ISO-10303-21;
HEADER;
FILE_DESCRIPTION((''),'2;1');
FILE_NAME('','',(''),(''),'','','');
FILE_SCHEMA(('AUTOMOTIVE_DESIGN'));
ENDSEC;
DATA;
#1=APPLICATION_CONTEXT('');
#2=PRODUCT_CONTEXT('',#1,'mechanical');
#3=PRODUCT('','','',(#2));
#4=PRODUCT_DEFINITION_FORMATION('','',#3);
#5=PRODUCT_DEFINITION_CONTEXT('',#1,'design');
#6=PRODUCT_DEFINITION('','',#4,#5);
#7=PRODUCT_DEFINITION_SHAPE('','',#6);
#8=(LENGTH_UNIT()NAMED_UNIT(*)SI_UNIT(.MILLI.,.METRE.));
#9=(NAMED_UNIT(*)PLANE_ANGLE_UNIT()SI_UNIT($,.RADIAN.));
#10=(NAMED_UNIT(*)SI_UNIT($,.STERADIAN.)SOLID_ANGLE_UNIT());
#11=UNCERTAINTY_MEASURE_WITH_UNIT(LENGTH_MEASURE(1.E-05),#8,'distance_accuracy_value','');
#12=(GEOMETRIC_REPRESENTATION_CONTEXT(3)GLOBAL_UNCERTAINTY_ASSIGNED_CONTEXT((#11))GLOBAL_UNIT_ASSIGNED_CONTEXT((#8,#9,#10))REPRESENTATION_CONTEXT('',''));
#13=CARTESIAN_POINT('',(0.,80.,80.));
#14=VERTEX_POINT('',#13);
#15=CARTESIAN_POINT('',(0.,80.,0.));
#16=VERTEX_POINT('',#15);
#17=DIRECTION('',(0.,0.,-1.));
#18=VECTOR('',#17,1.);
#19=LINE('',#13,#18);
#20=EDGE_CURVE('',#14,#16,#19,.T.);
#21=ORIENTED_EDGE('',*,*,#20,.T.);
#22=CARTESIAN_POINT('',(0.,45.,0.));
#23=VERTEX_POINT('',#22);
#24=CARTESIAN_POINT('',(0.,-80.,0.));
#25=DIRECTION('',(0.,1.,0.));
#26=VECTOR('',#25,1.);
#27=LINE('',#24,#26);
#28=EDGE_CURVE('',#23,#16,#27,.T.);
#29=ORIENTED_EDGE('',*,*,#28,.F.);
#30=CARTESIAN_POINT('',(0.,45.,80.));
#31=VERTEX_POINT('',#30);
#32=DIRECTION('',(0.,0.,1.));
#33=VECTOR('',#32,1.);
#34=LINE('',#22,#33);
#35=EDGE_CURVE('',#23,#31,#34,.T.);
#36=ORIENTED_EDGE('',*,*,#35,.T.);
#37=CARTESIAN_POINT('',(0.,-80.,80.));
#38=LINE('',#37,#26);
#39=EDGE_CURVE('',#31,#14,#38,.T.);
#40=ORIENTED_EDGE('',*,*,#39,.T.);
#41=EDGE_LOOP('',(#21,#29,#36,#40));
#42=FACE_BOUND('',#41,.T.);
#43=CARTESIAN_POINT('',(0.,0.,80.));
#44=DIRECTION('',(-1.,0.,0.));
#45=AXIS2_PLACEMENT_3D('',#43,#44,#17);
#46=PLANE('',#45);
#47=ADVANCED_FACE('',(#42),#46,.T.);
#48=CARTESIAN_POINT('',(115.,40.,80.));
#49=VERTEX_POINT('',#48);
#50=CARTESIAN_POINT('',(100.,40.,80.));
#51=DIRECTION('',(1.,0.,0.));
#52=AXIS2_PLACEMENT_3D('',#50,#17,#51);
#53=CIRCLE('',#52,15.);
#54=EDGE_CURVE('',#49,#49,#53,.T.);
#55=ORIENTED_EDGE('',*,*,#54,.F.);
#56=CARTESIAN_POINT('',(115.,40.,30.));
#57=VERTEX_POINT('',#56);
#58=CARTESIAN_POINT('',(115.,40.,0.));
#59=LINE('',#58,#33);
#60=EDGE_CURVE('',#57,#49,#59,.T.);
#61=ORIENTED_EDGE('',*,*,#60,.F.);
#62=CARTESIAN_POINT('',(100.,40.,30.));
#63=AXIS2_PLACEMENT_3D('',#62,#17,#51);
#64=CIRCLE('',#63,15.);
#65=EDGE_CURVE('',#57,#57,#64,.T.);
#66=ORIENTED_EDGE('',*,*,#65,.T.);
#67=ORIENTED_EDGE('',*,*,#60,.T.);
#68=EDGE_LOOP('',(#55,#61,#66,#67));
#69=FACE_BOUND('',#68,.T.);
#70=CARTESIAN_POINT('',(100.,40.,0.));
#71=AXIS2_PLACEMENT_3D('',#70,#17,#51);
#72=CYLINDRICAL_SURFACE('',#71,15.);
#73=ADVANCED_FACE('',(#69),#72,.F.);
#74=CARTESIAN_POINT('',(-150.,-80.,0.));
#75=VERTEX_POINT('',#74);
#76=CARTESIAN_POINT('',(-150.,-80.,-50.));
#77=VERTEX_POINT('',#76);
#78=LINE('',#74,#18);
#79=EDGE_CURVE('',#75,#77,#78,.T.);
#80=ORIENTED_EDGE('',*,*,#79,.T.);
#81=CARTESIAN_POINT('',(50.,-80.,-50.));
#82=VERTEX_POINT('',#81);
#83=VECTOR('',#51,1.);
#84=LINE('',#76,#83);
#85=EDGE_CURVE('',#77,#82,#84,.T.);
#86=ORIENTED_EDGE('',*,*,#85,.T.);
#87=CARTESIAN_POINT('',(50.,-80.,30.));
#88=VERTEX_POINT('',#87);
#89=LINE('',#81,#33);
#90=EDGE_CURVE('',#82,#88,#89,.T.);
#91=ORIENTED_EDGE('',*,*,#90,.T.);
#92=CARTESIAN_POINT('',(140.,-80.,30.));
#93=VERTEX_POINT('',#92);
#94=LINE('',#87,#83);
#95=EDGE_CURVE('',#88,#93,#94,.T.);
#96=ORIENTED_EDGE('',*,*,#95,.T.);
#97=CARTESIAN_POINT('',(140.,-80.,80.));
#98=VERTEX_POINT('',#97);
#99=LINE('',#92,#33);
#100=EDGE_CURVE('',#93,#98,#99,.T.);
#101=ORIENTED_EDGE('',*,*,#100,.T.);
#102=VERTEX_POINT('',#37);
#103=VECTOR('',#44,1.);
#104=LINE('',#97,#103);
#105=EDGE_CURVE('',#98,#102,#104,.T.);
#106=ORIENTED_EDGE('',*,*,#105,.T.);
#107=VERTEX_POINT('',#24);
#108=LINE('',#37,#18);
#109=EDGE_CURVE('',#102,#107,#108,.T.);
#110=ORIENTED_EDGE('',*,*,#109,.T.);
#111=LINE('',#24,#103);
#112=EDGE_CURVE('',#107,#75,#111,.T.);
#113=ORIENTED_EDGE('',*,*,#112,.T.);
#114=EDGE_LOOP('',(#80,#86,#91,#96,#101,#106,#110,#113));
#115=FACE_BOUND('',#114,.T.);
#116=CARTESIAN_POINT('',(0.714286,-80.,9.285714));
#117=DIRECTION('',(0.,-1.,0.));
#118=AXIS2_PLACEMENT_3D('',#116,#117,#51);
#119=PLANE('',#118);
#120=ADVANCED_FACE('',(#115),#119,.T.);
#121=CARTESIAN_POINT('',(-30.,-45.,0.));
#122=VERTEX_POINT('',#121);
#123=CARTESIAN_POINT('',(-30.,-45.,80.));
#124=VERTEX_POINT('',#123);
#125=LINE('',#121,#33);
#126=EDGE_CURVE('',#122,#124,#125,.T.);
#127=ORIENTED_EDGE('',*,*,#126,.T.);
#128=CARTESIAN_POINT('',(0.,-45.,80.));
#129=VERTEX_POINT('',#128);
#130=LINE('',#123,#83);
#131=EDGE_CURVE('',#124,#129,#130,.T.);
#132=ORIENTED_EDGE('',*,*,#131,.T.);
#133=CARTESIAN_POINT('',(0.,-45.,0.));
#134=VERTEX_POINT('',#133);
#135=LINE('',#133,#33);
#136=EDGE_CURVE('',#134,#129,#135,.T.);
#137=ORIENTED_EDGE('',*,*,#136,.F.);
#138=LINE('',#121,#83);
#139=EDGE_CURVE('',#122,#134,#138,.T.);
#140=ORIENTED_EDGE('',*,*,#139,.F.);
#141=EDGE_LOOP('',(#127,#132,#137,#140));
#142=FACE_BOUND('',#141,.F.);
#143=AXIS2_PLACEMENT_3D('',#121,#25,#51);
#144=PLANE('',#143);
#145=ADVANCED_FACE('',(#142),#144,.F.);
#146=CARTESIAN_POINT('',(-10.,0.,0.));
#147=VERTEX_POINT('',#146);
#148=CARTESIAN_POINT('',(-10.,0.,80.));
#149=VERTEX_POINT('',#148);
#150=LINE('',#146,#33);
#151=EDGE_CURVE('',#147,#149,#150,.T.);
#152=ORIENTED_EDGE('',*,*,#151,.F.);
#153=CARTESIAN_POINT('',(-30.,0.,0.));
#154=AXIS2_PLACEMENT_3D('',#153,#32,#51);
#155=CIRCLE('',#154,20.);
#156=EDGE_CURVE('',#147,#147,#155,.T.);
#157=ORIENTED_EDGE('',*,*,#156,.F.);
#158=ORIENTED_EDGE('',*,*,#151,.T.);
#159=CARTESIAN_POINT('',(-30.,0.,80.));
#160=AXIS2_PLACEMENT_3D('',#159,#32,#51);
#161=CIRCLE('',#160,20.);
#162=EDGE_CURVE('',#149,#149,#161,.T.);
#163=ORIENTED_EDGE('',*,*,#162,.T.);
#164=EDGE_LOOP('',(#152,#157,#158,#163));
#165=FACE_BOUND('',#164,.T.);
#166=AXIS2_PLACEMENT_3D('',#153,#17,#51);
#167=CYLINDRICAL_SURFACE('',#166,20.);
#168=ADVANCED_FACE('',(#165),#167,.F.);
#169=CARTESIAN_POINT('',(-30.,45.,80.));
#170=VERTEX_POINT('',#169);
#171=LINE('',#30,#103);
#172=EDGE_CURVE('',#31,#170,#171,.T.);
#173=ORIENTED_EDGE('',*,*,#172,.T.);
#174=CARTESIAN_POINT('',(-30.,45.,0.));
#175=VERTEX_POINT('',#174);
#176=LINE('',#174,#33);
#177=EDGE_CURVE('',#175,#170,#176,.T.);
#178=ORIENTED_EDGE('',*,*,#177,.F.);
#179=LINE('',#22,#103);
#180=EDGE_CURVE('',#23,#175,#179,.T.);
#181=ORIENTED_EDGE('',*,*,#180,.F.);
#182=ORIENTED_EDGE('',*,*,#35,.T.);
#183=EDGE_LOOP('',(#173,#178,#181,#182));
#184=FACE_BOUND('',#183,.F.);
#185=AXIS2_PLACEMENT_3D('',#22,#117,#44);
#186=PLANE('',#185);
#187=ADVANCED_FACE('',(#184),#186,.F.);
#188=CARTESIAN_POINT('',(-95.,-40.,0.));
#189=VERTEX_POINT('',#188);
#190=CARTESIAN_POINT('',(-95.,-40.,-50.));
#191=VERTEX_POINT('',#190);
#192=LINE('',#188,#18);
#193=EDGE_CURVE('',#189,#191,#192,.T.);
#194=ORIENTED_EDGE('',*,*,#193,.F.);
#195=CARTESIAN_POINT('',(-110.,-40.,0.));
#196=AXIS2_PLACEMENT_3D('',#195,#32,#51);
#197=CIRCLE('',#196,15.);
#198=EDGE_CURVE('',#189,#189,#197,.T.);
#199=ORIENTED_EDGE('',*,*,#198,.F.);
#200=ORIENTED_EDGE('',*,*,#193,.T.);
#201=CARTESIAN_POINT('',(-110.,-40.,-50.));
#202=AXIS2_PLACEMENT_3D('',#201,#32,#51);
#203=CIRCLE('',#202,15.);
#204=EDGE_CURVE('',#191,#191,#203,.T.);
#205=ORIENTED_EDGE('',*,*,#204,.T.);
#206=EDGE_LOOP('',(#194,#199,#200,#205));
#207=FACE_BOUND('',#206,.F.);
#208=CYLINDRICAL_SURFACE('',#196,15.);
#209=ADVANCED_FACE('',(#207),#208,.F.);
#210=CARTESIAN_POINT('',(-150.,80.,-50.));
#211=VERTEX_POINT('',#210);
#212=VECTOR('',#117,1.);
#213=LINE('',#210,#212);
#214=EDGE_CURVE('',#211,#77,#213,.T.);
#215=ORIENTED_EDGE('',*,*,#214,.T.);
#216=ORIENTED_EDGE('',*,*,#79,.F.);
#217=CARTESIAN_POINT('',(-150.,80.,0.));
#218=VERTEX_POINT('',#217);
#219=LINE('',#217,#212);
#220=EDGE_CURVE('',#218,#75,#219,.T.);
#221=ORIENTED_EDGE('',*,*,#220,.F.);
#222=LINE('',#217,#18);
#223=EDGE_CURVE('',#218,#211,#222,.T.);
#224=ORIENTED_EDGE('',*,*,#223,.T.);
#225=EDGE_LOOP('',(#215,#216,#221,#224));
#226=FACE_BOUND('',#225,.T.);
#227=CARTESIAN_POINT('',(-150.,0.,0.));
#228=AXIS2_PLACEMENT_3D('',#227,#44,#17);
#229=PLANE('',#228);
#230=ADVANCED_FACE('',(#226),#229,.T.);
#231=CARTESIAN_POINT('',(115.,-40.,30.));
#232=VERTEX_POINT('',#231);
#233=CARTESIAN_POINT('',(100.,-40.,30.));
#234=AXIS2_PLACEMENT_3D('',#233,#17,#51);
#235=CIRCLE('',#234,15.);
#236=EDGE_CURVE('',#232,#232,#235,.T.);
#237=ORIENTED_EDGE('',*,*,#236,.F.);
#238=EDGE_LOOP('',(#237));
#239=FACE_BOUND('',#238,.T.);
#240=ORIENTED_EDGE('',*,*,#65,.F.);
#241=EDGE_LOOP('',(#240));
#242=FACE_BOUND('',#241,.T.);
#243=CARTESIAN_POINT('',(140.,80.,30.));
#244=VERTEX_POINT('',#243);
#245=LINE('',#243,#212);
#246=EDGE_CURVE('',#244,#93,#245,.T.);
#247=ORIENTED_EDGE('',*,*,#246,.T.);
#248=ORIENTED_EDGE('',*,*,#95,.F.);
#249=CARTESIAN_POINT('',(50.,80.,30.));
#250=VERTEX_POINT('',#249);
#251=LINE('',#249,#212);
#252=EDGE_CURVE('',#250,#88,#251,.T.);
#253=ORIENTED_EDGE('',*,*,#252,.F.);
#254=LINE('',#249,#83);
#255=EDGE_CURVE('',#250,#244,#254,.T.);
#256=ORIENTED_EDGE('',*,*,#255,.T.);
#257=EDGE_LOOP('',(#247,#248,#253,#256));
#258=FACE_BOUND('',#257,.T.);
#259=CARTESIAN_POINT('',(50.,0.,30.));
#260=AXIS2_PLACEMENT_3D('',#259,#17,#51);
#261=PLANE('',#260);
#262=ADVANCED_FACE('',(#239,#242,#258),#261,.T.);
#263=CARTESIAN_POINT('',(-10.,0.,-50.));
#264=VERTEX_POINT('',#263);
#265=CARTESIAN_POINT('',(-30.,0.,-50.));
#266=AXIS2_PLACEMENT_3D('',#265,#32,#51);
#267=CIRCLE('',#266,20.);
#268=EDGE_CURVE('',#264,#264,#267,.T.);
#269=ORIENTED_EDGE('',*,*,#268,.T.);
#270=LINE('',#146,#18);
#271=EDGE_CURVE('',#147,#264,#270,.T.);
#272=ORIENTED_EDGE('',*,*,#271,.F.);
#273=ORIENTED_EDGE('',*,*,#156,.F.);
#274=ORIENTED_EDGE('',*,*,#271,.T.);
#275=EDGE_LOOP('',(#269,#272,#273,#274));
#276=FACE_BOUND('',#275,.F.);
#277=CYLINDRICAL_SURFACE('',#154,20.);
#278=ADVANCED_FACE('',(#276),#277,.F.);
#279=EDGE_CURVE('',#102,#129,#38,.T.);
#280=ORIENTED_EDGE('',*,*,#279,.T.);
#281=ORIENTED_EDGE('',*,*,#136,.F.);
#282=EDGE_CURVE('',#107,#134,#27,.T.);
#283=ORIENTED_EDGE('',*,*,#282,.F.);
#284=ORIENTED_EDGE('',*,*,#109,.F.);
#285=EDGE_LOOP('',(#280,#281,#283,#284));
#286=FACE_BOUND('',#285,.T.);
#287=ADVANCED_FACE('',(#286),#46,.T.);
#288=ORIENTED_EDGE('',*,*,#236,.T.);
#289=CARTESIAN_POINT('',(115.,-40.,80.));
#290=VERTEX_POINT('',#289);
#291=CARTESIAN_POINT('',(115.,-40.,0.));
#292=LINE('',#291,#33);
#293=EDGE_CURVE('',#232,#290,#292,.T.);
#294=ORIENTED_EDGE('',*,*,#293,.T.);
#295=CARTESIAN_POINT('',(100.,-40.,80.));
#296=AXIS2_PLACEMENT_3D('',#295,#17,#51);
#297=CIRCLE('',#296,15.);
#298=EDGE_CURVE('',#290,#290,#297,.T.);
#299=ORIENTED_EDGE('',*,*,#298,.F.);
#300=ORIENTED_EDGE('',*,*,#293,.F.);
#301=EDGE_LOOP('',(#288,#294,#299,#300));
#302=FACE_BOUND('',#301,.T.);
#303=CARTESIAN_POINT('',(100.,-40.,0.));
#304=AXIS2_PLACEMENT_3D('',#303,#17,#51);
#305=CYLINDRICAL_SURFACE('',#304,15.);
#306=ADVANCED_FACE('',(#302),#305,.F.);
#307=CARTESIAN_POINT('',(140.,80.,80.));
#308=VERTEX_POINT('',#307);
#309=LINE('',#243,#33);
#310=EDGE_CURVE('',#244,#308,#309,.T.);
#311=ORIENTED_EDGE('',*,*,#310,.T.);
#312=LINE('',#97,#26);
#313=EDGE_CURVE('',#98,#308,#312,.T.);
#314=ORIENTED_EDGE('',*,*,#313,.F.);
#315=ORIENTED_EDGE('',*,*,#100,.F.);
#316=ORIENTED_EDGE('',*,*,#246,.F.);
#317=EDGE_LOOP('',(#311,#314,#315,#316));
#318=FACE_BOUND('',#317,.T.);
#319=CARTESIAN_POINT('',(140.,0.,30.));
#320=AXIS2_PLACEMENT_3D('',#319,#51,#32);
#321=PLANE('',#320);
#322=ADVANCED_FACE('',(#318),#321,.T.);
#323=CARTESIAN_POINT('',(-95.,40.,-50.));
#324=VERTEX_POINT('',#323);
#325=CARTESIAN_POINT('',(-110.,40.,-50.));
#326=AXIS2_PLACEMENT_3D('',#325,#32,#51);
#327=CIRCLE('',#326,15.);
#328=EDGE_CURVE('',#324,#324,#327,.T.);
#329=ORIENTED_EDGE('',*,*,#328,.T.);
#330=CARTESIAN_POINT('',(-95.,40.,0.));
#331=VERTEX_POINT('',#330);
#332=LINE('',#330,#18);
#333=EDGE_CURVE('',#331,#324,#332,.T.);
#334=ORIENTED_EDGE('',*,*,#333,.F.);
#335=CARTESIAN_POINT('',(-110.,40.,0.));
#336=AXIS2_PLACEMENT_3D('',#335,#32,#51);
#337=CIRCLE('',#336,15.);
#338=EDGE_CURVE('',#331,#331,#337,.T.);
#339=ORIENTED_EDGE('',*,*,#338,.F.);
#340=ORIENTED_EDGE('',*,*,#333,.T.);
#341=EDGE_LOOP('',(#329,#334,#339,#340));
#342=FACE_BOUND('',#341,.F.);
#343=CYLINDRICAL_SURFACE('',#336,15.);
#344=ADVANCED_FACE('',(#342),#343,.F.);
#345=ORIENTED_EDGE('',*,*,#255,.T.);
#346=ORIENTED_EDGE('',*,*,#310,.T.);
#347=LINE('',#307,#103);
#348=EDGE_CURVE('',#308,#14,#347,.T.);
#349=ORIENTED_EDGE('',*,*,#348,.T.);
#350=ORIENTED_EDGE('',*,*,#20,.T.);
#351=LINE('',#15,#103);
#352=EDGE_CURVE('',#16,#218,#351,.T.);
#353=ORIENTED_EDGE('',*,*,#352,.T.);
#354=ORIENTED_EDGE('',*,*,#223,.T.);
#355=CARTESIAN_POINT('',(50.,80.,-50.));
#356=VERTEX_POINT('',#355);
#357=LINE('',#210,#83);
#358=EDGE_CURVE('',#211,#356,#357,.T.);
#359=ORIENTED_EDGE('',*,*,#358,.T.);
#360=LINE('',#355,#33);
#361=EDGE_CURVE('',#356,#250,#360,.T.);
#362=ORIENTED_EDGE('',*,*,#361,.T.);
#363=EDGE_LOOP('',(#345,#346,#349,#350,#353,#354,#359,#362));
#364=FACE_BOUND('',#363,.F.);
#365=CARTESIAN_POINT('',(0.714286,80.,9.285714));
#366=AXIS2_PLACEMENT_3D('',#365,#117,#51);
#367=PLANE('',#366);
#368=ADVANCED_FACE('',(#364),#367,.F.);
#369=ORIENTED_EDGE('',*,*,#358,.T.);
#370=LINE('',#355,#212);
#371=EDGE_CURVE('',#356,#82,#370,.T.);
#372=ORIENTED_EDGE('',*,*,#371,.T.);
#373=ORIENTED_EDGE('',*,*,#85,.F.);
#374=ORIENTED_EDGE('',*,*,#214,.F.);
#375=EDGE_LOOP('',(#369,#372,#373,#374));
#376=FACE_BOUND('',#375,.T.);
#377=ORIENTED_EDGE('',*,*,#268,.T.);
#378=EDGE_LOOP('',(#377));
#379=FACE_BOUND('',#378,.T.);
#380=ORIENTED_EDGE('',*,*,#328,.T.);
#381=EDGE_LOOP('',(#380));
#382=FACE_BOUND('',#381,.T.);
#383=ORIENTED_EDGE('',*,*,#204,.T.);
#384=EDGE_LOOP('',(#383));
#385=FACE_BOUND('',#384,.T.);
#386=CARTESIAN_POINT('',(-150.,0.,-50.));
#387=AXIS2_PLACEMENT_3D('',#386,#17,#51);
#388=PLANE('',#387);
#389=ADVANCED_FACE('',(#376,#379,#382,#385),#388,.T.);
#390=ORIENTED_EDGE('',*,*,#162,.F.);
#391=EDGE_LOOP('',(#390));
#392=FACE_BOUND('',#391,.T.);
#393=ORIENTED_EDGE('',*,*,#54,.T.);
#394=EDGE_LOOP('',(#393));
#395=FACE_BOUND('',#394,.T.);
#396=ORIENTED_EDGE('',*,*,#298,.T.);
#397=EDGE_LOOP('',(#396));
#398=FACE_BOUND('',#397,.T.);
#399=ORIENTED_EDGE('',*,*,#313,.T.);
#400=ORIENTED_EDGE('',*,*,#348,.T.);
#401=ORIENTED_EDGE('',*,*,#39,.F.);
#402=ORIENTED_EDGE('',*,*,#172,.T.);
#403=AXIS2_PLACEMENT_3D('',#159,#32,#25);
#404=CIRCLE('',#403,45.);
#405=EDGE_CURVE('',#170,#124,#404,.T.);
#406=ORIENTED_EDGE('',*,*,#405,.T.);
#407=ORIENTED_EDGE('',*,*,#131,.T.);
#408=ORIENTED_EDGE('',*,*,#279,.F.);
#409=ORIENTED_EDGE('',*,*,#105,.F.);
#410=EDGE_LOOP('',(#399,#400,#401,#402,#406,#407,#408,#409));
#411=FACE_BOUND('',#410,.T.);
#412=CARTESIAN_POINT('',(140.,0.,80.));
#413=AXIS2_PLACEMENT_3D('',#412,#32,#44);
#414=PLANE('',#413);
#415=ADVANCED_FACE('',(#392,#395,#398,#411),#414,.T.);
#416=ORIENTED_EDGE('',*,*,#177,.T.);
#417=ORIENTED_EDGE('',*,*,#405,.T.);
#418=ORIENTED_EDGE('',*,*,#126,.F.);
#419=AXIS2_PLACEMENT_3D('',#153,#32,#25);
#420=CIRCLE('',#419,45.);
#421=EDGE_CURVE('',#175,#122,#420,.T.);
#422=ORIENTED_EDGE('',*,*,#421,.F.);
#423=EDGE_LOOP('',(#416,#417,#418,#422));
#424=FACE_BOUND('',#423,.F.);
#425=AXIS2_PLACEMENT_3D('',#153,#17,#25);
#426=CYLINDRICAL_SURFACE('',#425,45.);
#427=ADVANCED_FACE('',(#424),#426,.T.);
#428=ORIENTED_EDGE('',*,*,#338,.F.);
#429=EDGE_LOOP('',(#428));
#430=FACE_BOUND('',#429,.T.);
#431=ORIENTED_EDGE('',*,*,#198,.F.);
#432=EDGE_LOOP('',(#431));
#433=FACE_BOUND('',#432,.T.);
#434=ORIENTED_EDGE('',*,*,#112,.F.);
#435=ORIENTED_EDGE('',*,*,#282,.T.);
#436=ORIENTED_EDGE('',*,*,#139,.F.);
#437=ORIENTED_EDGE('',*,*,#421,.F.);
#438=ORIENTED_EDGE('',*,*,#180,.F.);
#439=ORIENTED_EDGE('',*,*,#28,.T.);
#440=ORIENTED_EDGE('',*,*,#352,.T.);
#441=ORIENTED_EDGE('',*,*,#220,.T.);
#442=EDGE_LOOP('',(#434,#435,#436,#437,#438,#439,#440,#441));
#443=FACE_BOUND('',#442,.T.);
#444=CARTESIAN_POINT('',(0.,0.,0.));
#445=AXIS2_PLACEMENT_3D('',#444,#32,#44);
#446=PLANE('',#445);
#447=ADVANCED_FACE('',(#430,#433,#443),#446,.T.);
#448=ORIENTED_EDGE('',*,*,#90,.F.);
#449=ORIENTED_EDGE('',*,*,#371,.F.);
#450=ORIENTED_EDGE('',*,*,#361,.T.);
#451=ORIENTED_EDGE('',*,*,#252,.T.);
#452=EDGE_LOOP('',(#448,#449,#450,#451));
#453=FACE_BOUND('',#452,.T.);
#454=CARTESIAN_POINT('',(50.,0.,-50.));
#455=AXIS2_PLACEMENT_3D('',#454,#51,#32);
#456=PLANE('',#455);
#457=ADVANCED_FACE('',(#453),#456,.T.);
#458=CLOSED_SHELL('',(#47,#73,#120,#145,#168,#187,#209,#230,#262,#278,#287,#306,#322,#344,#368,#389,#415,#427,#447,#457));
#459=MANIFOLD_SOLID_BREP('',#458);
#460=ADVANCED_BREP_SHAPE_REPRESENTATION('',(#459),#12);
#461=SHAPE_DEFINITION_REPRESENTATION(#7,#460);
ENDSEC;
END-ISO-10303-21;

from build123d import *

# Parameters (mm, degrees)
F1_DEPTH      = 80
F2_R          = 20
F3_DEPTH      = 80
F2_R_2        = 15
F4_DEPTH      = 50.001
F4_DEPTH_BACK = 80.001


with BuildPart() as f1:
    # F0 (on Front) → F1 (new body, symmetric)
    with BuildSketch(Plane.XZ):
        Polygon((0, 0), (-150, 0), (-150, -50), (50, -50), (50, 30), (140, 30), (140, 80), (0, 80), align=None)
    extrude(amount=F1_DEPTH, both=True)

    # F2 (on face) → F3 (join)
    with BuildSketch(Plane.XY):
        with BuildLine():
            Line((0, -45), (0, 45))
            Line((0, 45), (-30, 45))
            ThreePointArc((-30, 45), (-75, 0), (-30, -45))
            Line((-30, -45), (0, -45))
        make_face()
        with Locations((-30, 0)):
            Circle(F2_R, mode=Mode.SUBTRACT)
    extrude(amount=F3_DEPTH)

    # F2 (on face) → F4 (cut, two sides)
    with BuildSketch(Plane.XY) as f4_sk:
        with Locations((-110, 40)):
            Circle(F2_R_2)
        with Locations((-110, -40)):
            Circle(F2_R_2)
        with Locations((100, -40)):
            Circle(F2_R_2)
        with Locations((100, 40)):
            Circle(F2_R_2)
        with Locations((-30, 0)):
            Circle(F2_R)
    extrude(amount=-F4_DEPTH, mode=Mode.SUBTRACT)
    extrude(f4_sk.sketch, amount=F4_DEPTH_BACK, mode=Mode.SUBTRACT)


solid = f1.part
